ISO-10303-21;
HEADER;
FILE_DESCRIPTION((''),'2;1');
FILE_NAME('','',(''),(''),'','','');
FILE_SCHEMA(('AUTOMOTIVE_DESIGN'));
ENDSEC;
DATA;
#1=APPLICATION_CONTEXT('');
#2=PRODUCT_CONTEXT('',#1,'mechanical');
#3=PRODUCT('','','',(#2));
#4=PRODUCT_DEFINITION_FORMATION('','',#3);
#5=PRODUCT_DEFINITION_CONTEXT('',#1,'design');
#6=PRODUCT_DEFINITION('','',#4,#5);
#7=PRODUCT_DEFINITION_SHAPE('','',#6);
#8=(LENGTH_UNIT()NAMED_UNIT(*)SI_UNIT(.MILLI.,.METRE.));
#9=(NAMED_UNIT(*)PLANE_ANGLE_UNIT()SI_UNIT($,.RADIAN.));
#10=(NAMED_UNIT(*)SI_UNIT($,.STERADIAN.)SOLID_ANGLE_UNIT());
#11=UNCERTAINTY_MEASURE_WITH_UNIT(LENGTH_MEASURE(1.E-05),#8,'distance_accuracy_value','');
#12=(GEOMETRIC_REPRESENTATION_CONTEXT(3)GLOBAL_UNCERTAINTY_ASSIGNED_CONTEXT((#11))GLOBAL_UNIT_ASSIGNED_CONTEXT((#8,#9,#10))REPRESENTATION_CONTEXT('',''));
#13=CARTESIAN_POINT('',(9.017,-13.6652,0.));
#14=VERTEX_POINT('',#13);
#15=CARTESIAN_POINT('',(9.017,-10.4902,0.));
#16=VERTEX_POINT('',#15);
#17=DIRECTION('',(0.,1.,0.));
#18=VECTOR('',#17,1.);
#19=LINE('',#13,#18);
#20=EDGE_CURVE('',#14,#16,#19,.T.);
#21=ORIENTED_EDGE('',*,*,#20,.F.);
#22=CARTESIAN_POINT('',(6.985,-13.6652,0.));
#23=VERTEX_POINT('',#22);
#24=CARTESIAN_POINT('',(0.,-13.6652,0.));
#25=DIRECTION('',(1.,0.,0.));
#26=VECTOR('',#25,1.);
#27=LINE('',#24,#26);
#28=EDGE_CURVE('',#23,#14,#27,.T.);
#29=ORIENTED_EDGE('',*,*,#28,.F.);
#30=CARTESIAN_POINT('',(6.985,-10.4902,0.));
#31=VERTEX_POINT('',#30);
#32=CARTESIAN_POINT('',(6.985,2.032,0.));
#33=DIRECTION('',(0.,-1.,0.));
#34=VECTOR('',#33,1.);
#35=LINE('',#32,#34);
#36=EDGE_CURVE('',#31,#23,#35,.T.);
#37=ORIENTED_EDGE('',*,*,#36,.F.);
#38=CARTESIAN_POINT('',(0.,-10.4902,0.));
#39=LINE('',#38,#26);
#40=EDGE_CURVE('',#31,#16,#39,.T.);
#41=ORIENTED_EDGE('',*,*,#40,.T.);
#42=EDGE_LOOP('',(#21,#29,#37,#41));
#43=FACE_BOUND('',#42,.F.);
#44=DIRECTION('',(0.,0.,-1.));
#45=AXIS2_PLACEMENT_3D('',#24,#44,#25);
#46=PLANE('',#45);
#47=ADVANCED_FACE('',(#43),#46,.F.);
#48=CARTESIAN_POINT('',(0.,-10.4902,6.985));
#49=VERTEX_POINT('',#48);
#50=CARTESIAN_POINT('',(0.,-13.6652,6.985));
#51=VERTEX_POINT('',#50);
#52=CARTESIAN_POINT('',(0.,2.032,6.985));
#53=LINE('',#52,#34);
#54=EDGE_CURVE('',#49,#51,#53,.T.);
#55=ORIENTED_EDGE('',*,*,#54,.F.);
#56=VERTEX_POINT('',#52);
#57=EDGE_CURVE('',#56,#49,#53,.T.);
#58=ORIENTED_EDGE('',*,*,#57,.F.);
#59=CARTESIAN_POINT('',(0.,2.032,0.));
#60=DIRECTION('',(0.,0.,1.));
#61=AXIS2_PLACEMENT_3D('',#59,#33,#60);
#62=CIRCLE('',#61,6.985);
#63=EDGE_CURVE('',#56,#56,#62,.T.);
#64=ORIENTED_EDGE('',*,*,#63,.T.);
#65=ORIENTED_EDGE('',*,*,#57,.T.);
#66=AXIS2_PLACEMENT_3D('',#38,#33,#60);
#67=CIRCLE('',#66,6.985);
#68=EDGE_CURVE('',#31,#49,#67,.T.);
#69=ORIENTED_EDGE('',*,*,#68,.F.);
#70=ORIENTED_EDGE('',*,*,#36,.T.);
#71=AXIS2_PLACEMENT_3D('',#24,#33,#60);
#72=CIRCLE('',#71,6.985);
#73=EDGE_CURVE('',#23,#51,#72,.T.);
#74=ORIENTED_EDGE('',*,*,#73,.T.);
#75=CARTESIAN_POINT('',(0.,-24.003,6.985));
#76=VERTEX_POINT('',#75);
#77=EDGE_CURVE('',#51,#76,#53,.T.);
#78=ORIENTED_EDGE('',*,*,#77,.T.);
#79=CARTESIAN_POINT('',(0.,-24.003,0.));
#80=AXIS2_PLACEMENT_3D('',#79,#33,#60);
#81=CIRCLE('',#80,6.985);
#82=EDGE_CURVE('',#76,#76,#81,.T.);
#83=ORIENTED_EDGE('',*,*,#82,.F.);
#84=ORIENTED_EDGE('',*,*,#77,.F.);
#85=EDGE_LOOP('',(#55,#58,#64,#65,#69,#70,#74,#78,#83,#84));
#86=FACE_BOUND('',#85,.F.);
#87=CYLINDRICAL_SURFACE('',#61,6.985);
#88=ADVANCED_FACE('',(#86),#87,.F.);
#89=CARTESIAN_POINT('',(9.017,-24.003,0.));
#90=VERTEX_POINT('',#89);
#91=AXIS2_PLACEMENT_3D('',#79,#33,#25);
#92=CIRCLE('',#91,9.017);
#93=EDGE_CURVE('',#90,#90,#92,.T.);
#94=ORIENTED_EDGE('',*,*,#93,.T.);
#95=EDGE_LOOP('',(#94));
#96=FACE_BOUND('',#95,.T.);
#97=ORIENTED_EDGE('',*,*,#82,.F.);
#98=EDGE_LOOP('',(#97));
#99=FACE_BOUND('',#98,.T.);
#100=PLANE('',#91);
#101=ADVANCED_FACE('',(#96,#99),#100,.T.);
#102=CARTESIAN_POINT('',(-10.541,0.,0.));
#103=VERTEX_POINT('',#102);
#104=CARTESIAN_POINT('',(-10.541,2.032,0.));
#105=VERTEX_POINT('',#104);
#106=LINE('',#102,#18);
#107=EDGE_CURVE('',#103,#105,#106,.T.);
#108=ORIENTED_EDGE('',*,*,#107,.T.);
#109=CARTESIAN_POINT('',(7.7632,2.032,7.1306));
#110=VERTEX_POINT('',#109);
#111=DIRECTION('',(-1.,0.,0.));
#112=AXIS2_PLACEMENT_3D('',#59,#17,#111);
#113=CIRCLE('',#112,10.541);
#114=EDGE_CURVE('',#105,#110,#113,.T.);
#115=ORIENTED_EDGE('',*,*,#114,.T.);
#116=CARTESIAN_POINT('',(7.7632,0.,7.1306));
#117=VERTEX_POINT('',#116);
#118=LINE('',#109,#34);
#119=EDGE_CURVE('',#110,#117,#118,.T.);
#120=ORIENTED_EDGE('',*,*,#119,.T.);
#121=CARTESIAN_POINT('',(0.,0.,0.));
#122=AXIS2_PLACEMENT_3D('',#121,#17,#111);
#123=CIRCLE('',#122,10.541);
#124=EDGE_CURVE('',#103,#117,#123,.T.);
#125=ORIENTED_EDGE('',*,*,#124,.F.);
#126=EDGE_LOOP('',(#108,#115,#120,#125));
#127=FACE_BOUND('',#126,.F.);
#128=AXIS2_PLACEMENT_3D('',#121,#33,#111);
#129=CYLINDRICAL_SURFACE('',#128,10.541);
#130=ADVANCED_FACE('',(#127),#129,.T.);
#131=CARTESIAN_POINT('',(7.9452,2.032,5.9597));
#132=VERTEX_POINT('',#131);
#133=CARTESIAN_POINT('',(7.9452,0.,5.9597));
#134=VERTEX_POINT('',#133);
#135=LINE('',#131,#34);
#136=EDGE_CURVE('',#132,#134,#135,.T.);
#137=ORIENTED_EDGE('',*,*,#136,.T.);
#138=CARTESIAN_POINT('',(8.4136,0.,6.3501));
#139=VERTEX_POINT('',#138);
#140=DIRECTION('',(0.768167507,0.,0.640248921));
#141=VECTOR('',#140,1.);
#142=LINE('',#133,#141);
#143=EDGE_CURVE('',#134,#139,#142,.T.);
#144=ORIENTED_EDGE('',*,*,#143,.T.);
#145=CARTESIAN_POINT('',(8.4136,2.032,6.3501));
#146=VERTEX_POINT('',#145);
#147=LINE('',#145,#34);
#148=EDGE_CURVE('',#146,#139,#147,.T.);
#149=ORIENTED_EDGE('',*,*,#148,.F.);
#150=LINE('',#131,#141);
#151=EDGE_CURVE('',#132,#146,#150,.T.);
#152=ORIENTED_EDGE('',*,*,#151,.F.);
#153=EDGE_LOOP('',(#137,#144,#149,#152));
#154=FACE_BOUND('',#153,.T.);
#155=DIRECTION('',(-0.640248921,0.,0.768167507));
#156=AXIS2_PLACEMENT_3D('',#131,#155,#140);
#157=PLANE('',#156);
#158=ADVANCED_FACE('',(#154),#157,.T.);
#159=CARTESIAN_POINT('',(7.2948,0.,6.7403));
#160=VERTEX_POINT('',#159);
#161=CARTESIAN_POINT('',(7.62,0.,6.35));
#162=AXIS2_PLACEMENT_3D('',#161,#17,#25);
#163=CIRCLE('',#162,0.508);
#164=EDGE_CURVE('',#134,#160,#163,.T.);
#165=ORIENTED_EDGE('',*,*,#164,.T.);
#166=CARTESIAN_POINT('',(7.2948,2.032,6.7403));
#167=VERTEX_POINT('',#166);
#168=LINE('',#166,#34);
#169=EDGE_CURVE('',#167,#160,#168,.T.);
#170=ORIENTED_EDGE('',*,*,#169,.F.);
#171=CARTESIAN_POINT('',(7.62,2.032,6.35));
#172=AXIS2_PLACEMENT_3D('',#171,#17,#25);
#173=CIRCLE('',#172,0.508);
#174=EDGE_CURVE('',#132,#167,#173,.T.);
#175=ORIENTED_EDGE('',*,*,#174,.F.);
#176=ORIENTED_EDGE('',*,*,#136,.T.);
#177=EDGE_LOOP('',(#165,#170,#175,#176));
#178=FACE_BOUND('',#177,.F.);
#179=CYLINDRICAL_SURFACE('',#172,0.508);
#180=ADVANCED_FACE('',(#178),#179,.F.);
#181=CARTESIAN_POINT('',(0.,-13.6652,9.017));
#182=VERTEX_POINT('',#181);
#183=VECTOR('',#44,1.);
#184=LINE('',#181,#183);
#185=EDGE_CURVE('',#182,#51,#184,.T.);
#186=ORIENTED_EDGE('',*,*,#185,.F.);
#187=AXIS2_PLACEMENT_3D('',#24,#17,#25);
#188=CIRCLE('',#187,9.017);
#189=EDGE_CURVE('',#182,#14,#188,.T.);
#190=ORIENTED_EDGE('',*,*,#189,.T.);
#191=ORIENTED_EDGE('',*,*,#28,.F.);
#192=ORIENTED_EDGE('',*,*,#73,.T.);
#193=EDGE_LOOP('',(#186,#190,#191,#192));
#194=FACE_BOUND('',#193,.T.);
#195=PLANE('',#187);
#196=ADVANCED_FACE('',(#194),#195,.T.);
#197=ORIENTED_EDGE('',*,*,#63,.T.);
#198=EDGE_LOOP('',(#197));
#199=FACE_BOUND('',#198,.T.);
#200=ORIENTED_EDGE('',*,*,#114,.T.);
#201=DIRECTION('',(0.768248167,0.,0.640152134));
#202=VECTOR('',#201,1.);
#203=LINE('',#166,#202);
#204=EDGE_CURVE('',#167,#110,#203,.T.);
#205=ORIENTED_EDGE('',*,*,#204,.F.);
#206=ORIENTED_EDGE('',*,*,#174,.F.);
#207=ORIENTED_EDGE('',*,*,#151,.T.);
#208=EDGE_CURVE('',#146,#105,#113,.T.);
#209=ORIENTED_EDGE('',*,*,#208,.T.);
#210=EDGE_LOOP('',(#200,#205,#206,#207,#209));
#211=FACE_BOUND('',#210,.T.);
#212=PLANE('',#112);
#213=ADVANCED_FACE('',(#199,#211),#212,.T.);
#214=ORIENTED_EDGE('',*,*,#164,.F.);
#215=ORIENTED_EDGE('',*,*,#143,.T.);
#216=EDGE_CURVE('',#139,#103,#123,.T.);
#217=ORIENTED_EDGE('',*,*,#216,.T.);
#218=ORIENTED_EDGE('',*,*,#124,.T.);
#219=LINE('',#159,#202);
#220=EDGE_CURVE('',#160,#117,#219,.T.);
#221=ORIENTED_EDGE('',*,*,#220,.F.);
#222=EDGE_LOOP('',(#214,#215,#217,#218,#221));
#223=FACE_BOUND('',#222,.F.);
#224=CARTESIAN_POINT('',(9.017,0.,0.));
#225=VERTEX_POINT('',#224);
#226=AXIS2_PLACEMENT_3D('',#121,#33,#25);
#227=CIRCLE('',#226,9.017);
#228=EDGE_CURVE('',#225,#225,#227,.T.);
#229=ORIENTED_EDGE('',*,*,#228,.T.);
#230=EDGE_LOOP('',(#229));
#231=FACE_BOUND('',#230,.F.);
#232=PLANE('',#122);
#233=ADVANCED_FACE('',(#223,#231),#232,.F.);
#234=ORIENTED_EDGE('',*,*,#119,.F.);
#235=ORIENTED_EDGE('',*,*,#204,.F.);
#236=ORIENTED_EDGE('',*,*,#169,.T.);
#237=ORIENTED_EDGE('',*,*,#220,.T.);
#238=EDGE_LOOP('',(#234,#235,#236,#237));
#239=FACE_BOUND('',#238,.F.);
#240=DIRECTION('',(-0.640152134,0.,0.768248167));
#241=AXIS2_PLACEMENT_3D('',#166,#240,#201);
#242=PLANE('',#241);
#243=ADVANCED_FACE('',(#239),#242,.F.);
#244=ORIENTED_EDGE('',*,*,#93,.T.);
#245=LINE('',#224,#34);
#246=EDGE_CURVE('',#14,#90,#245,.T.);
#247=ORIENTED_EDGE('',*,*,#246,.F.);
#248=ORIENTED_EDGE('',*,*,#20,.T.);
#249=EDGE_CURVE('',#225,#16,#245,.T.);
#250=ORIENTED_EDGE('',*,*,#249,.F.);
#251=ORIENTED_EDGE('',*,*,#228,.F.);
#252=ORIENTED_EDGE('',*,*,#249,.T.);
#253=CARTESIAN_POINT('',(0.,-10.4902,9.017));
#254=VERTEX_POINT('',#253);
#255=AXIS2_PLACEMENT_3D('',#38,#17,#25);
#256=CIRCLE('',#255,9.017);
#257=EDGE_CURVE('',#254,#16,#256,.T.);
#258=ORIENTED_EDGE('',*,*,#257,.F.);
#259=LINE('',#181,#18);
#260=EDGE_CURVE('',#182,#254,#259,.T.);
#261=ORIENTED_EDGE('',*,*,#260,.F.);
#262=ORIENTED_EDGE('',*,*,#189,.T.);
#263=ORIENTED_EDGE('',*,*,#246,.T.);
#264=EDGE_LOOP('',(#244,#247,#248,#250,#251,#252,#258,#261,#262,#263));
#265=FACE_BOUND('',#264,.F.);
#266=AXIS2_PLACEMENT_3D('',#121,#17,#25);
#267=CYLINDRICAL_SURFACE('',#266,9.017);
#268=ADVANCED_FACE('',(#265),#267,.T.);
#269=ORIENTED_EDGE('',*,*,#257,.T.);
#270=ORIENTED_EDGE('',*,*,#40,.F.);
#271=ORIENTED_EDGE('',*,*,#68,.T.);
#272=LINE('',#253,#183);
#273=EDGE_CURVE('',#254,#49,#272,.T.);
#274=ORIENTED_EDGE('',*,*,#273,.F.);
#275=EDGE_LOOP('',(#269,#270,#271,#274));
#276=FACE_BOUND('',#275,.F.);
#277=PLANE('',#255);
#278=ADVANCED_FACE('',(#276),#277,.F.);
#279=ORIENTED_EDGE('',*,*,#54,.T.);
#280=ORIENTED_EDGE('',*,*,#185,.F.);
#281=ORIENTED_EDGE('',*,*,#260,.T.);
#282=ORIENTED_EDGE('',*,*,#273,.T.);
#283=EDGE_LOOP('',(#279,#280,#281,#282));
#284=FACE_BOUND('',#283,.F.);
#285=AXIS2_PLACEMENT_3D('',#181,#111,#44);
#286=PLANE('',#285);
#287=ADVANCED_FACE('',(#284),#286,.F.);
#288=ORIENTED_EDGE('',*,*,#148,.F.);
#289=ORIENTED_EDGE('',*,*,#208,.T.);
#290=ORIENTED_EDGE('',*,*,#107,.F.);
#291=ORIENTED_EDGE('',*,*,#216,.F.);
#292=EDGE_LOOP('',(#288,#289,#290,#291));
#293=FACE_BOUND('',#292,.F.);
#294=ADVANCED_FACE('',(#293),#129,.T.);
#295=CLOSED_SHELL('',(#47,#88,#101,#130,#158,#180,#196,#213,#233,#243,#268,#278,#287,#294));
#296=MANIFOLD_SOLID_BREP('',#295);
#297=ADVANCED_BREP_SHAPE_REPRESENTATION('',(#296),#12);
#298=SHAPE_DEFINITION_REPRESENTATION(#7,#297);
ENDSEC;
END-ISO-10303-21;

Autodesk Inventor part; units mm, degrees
ref_plane "YZ Plane" through (0, 0, 0) normal (1, 0, 0) x (0, 1, 0)
ref_plane "XZ Plane" through (0, 0, 0) normal (0, 1, 0) x (-1, 0, 0)
ref_plane "XY Plane" through (0, 0, 0) normal (0, 0, 1) x (1, 0, 0)
sketch "Sketch1" plane through (0, 0, 0) normal (0, 1, 0) x (-1, 0, 0)
  circle A0 centre (0, 0) radius 10.541
  dimension "d2" = 21.082
extrude "Extrusion1" add sketch "Sketch1" along normal blind 2.032
sketch "Sketch2" plane through (0, 0, 0) normal (0, -1, 0) x (1, 0, 0)
  circle A0 centre (0, 0) radius 10.541 projected
  circle A1 centre (0, 0) radius 9.017
  dimension "d4" = 18.034
extrude "Extrusion2" add sketch "Sketch2" along normal blind 24.003 contours A1
hole "Hole1" at (0, 2.032, 0) direction (0, -1, 0) diameter 13.97 end through all
ref_plane "Work Plane1" through (0, -13.6652, 0) normal (0, 1, 0) x (1, 0, 0)
sketch "Sketch3" plane through (0, -13.6652, 0) normal (0, 1, 0) x (1, 0, 0)
  line L0 (0, 0) -> (9.017, 0)
  line L1 (9.017, 0) -> (9.017, -9.017)
  line L2 (9.017, -9.017) -> (0, -9.017)
  line L3 (0, -9.017) -> (0, 0)
  dimension "d17" = 9.017
  dimension "d18" = 9.017
extrude "Extrusion3" cut sketch "Sketch3" along normal blind 3.175
sketch "Sketch4" plane through (0, 2.032, 0) normal (0, 1, 0) x (1, 0, 0)
  circle A0 centre (0, 0) radius 10.541 projected
  circle A1 centre (7.62, -6.35) radius 0.508
  line L0 (7.62, -6.35) -> (0, 0) construction
  line L1 (7.9452, -5.9597) -> (8.4136, -6.3501)
  line L2 (7.2948, -6.7403) -> (7.7632, -7.1306)
  dimension "d21" = 1.016
  dimension "d22" = 6.35
  dimension "d23" = 7.62
extrude "Extrusion4" cut sketch "Sketch4" against normal up to surface (2.032 mm away) contours L2 A1 L1 A0 | A1 picked at (8.2446, -6.4771)
properties part number "Piston Shaft" material "Stainless Steel"
